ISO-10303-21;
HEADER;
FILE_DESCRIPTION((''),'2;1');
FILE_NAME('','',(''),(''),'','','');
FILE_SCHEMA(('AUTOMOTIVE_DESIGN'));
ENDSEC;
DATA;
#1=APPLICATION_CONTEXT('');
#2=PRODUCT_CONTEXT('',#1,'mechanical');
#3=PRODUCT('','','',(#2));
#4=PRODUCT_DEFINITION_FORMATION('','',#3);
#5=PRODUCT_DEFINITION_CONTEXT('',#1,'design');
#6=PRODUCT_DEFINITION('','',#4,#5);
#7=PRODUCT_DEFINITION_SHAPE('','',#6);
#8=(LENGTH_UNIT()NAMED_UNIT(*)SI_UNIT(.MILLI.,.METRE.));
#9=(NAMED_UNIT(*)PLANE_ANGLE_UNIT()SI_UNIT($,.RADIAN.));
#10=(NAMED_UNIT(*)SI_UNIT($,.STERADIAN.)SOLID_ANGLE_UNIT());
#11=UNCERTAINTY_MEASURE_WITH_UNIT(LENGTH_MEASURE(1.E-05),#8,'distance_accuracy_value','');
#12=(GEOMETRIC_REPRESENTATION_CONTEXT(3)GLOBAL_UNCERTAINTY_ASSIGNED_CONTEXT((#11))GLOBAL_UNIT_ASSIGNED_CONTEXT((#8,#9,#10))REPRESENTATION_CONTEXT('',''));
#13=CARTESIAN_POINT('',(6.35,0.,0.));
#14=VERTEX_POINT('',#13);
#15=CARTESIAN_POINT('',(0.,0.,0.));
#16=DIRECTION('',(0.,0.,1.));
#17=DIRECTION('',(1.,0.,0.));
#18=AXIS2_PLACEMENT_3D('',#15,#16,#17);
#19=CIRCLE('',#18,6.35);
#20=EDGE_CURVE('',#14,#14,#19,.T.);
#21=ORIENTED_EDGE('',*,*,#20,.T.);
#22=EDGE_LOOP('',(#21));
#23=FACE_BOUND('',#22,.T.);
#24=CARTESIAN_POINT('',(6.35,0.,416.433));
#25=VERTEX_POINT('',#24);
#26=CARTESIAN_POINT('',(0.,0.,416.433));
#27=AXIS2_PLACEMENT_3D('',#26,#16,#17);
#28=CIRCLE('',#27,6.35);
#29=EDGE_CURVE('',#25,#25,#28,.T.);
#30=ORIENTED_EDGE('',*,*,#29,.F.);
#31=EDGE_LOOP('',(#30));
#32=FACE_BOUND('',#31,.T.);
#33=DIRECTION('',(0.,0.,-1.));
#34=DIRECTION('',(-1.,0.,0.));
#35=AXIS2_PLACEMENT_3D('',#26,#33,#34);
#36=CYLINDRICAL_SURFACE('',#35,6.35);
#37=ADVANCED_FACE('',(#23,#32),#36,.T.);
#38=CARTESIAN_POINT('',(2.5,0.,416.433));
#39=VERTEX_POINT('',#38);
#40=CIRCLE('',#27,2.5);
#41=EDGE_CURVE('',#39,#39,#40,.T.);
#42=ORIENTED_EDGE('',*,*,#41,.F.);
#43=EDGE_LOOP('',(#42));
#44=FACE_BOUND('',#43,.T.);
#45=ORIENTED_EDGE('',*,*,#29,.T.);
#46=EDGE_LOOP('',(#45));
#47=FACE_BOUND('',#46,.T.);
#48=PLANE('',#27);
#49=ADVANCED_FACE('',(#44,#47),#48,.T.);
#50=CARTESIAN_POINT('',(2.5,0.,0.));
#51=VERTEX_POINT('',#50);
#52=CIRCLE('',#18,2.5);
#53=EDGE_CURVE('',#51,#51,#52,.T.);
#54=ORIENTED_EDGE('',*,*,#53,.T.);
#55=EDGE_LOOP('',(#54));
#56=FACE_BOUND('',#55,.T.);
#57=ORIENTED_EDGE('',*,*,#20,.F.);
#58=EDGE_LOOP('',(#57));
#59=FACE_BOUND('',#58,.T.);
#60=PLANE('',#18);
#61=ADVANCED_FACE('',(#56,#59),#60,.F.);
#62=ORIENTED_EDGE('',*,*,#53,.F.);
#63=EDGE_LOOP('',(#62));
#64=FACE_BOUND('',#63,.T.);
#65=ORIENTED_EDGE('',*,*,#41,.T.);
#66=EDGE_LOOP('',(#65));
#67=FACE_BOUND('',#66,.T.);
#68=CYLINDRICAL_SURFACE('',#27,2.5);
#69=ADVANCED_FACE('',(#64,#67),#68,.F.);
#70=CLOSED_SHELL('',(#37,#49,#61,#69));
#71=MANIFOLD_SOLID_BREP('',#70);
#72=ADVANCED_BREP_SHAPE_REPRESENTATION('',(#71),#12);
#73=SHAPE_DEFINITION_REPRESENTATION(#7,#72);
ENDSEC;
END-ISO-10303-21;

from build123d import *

# Parameters (mm, degrees)
SKETCH1_R             = 6.35
BOSS_EXTRUDE2_DEPTH   = 416.433
M6X1_0_TAPPED_HOLE1_D = 5


with BuildPart() as part:
    # Sketch1 → Boss-Extrude2 (new body)
    with BuildSketch(Plane.XY):
        Circle(SKETCH1_R)
    extrude(amount=BOSS_EXTRUDE2_DEPTH)

    # M6x1.0 Tapped Hole1 (through all)
    with Locations(Plane.XY.offset(416.433)):
        with Locations((0, 0)):
            Hole(M6X1_0_TAPPED_HOLE1_D / 2)


solid = part.part
